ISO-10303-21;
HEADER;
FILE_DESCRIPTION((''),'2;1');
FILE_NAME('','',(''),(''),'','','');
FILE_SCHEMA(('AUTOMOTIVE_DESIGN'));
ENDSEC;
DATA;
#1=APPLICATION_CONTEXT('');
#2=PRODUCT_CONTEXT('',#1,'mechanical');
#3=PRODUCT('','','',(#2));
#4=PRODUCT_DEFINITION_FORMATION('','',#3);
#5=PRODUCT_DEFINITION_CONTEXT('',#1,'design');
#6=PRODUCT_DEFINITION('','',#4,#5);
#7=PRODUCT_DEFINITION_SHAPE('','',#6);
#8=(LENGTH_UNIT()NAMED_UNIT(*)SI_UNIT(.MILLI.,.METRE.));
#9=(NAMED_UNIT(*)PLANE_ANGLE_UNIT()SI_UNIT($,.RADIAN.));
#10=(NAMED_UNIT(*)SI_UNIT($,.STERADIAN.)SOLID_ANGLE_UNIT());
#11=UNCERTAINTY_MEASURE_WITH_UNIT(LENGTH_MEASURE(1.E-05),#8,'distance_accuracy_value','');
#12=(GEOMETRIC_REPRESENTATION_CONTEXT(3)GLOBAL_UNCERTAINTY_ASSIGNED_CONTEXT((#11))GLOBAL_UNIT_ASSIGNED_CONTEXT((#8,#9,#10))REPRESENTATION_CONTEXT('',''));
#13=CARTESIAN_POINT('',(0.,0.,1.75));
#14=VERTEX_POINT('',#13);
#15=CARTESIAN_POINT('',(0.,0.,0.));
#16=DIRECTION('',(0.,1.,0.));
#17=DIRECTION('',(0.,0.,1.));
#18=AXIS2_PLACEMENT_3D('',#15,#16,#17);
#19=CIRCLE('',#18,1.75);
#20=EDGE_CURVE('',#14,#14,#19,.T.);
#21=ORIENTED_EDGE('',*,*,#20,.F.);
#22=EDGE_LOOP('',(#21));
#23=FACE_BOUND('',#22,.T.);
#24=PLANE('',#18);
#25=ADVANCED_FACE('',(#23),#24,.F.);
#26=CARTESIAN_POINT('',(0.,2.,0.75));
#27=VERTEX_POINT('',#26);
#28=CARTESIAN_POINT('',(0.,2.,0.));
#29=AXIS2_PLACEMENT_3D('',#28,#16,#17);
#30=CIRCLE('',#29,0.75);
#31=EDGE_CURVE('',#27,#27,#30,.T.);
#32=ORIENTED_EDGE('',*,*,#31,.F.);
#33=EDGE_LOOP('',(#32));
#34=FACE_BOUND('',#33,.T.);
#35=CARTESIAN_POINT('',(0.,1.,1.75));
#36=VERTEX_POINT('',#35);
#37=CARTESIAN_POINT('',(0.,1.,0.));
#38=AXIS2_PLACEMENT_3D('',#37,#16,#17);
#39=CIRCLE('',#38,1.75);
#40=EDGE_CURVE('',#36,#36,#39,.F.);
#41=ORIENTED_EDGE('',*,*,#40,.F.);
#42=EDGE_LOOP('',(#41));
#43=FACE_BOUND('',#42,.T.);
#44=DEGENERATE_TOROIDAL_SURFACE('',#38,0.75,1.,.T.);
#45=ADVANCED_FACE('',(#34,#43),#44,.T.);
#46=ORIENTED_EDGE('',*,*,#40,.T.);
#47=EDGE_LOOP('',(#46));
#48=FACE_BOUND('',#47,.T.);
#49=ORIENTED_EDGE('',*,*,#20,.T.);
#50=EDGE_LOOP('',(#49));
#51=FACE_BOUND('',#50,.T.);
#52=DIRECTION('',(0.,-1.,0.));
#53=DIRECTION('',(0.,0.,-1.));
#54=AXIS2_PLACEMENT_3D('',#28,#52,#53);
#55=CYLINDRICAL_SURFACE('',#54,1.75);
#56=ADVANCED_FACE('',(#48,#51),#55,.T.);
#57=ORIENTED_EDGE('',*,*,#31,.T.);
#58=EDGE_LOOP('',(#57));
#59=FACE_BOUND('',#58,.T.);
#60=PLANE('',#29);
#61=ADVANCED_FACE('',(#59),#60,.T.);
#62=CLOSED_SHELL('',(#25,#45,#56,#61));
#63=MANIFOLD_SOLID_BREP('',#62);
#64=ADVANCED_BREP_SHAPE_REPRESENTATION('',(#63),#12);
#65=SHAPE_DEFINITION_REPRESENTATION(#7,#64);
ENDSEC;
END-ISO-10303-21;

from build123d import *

# Parameters (mm, degrees)
SKETCH1_R           = 1.75
BOSS_EXTRUDE1_DEPTH = 2
FILLET1_R           = 1


with BuildPart() as part:
    # Sketch1 → Boss-Extrude1 (new body)
    with BuildSketch(Plane(origin=(0, 0, 0), x_dir=(1, 0, 0), z_dir=(0, 1, 0))):
        Circle(SKETCH1_R)
    extrude(amount=BOSS_EXTRUDE1_DEPTH)

    # Fillet1
    fillet1_edges = [part.edges().sort_by_distance(p)[0] for p in [
        (-1.75, 2, 0),
    ]]
    fillet(fillet1_edges, radius=FILLET1_R)


solid = part.part
